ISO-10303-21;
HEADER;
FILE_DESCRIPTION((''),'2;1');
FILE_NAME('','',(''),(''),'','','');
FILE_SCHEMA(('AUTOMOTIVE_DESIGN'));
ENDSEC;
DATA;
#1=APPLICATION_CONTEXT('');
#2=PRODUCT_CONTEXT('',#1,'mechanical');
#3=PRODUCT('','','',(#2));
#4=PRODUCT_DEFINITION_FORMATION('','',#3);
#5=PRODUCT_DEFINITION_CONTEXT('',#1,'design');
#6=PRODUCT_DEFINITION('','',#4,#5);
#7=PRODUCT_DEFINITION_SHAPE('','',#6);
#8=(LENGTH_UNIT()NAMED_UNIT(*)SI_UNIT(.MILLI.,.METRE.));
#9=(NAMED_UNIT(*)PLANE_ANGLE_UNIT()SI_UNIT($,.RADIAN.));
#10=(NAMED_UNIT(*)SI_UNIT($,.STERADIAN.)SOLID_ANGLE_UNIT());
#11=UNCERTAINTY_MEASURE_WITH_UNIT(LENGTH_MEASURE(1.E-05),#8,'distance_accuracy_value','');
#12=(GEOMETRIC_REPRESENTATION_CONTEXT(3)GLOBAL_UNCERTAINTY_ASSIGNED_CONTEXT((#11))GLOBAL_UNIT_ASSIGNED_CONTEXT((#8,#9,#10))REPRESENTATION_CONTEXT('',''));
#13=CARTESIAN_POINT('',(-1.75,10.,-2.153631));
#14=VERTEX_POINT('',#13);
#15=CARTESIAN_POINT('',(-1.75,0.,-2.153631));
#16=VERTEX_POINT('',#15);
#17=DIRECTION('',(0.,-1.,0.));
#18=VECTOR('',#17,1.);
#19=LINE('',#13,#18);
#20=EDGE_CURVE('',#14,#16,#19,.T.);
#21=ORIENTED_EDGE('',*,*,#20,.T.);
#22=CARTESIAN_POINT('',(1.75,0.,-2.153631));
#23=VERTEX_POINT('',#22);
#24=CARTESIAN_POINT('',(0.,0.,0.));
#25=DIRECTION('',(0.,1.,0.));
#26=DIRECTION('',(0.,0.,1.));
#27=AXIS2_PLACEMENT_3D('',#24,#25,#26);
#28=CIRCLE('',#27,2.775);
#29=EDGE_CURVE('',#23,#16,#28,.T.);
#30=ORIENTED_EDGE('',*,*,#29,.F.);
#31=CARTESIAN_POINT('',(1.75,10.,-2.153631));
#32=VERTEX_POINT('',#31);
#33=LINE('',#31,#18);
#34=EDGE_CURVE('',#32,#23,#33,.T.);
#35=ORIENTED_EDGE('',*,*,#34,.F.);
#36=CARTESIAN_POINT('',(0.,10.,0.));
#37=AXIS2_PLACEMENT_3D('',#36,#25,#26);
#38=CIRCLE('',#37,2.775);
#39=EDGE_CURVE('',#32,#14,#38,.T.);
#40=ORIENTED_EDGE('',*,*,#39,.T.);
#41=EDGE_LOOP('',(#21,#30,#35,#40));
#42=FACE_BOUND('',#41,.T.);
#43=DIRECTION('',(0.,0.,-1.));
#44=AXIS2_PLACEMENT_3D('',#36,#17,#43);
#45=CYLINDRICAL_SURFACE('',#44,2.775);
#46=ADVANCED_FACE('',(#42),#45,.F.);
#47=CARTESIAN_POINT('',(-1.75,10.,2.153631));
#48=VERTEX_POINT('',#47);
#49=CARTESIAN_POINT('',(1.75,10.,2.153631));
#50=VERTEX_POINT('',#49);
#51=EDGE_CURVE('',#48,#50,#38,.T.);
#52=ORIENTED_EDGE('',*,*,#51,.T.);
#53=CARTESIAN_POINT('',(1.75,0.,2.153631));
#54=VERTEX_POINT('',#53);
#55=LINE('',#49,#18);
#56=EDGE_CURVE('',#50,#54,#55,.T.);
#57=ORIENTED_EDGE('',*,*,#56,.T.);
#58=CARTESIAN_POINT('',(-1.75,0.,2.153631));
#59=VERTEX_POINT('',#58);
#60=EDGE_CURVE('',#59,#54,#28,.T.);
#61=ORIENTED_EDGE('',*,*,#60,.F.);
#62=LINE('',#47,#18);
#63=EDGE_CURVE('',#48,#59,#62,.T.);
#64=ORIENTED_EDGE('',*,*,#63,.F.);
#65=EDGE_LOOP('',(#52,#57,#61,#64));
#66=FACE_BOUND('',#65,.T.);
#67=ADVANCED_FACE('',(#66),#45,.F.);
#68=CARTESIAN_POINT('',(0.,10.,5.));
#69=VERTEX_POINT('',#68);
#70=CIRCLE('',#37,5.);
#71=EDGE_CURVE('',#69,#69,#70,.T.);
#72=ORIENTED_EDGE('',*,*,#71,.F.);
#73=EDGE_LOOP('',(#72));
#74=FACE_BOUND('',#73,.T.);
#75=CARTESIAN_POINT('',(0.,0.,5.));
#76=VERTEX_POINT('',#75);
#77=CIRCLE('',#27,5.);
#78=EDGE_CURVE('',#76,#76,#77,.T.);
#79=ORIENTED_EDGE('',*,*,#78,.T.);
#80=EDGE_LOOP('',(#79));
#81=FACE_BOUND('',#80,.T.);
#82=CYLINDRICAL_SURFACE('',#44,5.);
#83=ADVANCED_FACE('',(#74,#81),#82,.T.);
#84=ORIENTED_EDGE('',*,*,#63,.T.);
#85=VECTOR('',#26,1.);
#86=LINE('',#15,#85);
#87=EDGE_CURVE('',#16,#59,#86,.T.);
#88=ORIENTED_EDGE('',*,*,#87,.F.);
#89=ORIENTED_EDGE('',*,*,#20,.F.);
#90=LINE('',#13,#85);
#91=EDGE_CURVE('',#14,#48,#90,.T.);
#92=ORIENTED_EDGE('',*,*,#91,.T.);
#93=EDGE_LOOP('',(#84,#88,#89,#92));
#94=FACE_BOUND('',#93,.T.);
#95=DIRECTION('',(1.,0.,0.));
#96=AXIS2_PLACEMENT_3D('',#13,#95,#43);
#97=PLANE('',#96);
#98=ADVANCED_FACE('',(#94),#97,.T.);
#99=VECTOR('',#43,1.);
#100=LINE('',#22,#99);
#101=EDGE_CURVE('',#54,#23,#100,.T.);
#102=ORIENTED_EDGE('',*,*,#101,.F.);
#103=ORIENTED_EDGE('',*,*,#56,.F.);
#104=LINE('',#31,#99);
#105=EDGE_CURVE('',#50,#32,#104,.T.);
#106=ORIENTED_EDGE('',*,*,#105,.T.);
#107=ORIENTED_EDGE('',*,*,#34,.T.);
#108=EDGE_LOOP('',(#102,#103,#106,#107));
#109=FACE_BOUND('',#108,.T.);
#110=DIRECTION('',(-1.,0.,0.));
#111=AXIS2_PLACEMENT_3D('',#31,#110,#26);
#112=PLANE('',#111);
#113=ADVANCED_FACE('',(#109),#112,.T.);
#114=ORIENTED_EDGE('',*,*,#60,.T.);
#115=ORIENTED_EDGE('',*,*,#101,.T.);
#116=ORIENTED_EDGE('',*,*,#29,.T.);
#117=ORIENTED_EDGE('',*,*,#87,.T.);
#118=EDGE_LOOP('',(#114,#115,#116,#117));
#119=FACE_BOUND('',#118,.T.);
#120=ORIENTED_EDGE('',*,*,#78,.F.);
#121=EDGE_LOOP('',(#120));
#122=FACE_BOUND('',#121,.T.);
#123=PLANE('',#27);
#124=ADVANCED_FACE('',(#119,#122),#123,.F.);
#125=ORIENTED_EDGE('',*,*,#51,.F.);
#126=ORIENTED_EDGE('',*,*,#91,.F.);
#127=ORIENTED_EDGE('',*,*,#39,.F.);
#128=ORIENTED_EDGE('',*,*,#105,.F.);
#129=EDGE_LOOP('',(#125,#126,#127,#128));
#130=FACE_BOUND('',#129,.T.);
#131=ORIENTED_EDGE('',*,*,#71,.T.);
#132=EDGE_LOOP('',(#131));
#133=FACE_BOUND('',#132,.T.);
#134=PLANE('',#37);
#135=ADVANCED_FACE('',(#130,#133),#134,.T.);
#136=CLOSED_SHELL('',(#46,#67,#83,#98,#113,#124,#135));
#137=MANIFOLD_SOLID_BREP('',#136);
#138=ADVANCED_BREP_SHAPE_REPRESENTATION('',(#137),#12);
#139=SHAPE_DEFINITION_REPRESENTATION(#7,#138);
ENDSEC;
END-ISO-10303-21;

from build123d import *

# Parameters (mm, degrees)
SKETCH1_R           = 5
BOSS_EXTRUDE1_DEPTH = 10


with BuildPart() as part:
    # Sketch1 → Boss-Extrude1 (new body)
    with BuildSketch(Plane(origin=(0, 0, 0), x_dir=(1, 0, 0), z_dir=(0, 1, 0))):
        with Locations(Location((0, 0, 0), (0, 0, 270))):
            Circle(SKETCH1_R)
        with BuildLine():
            Line((-1.75, 2.153630655), (-1.75, -2.153630655))
            ThreePointArc((-1.75, -2.153630655), (0, -2.775), (1.75, -2.153630655))
            Line((1.75, -2.153630655), (1.75, 2.153630655))
            ThreePointArc((1.75, 2.153630655), (0, 2.775), (-1.75, 2.153630655))
        make_face(mode=Mode.SUBTRACT)
    extrude(amount=BOSS_EXTRUDE1_DEPTH)


solid = part.part
